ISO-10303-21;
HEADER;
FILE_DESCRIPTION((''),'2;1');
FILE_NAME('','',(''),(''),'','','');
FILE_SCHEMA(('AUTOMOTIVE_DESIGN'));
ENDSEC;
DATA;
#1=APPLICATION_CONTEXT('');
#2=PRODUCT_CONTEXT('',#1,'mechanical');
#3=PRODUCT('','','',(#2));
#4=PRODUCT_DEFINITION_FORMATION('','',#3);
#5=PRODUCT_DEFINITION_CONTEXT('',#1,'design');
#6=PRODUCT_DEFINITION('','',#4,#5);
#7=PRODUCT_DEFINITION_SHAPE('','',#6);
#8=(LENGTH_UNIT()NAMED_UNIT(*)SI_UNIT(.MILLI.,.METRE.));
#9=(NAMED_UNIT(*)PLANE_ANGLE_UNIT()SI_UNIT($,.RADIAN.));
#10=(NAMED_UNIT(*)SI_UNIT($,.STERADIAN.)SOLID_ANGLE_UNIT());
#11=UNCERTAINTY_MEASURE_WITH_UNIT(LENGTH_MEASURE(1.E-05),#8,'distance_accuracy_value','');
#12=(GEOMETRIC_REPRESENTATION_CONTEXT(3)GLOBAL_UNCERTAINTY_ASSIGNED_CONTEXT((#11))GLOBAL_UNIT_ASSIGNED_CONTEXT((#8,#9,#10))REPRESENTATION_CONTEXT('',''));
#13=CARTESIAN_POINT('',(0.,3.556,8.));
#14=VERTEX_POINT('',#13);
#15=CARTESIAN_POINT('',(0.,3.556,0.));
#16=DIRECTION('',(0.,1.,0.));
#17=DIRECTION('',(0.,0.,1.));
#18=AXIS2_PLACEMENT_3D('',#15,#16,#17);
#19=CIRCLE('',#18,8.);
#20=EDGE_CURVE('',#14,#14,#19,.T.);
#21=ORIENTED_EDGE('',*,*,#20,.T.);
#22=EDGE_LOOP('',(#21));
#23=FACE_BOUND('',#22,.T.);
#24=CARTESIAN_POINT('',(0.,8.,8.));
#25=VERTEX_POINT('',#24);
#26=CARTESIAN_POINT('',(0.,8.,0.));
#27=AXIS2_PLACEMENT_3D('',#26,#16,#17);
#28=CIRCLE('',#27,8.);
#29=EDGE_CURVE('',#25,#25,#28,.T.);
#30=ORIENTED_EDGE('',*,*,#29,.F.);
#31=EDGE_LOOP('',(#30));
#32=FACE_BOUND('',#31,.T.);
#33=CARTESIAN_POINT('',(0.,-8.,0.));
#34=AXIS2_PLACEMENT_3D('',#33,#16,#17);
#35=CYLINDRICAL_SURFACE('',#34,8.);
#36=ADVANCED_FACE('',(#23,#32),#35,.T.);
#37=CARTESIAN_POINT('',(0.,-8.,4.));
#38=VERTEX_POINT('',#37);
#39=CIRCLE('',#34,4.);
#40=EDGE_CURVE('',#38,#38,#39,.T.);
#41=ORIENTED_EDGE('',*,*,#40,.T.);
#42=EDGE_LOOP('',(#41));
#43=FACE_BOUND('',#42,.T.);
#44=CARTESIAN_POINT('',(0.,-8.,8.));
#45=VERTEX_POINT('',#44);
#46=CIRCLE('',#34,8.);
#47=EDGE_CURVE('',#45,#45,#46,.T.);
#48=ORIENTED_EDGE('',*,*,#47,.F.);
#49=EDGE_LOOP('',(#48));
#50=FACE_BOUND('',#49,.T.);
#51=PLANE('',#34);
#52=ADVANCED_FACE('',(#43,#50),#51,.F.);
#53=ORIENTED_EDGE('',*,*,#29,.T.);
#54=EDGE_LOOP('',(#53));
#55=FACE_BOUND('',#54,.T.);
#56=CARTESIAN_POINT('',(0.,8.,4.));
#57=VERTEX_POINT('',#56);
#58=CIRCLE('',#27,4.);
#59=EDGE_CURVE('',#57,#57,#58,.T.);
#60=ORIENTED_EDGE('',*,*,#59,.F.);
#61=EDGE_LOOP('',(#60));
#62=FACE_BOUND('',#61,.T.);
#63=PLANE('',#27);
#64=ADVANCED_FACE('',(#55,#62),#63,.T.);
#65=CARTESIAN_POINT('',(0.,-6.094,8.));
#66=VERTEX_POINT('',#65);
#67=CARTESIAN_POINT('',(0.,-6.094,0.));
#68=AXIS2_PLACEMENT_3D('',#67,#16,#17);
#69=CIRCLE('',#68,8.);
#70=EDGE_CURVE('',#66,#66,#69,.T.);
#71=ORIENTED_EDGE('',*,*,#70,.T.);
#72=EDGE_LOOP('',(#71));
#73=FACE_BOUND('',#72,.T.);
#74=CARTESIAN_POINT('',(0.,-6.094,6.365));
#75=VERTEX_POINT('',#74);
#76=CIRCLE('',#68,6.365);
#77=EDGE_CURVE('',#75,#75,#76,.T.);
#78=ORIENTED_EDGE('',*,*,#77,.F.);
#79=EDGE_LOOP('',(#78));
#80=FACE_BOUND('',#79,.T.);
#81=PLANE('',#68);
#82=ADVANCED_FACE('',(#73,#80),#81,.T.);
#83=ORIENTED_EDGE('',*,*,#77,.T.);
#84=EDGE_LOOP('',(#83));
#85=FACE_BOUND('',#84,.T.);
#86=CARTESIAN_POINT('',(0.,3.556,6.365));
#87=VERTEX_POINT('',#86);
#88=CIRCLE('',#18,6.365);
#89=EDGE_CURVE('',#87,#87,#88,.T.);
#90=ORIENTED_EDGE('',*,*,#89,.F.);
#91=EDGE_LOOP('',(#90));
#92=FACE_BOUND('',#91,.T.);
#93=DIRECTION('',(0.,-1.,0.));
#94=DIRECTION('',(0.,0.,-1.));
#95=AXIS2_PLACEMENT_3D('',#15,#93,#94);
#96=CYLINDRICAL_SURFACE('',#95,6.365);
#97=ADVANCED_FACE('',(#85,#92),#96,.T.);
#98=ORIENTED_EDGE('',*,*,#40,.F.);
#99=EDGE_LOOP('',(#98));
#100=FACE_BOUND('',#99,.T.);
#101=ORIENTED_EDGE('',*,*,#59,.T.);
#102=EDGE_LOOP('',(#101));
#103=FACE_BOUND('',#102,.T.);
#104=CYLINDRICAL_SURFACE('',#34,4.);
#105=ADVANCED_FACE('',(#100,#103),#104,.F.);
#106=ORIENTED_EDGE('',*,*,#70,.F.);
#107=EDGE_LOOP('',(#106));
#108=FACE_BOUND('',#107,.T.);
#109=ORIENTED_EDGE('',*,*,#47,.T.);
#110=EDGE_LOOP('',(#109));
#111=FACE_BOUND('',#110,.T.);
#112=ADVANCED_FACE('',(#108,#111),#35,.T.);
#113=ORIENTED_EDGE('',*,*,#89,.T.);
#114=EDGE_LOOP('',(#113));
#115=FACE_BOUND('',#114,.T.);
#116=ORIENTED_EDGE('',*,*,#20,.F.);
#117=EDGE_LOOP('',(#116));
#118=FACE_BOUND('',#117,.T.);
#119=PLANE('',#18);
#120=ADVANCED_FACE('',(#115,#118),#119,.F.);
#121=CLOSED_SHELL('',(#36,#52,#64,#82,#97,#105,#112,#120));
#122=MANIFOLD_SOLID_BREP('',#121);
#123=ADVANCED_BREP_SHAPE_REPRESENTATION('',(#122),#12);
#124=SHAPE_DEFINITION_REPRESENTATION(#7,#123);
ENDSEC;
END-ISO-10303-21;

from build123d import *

# Parameters (mm, degrees)
BOSS_EXTRUDE1_DEPTH      = 8
BOSS_EXTRUDE1_DEPTH_BACK = 8
SKETCH1_R                = 8
CUT_EXTRUDE1_DEPTH       = 3.556
CUT_EXTRUDE1_DEPTH_BACK  = 6.094
SKETCH2_R                = 8
SKETCH2_R_2              = 6.36499997
SKETCH3_R                = 4
CUT_EXTRUDE2_DEPTH       = 20.595917942


with BuildPart() as part:
    # Sketch1 → Boss-Extrude1 (new, two sides: drawn at the far end of the back side and taken through both)
    with BuildSketch(Plane(origin=(0, 0, 0), x_dir=(1, 0, 0), z_dir=(0, 1, 0)).offset(-BOSS_EXTRUDE1_DEPTH_BACK)):
        Circle(SKETCH1_R)
    extrude(amount=BOSS_EXTRUDE1_DEPTH + BOSS_EXTRUDE1_DEPTH_BACK)

    # Sketch2 → Cut-Extrude1 (cut, two sides: drawn at the far end of the back side and taken through both)
    with BuildSketch(Plane(origin=(0, 0, 0), x_dir=(1, 0, 0), z_dir=(0, 1, 0)).offset(-CUT_EXTRUDE1_DEPTH_BACK)):
        Circle(SKETCH2_R)
        Circle(SKETCH2_R_2, mode=Mode.SUBTRACT)
    extrude(amount=CUT_EXTRUDE1_DEPTH + CUT_EXTRUDE1_DEPTH_BACK, mode=Mode.SUBTRACT)

    # Sketch3 → Cut-Extrude2 (cut, through all)
    with BuildSketch(Plane(origin=(0, 8, 0), x_dir=(1, 0, 0), z_dir=(0, 1, 0))):
        Circle(SKETCH3_R)
    extrude(amount=-CUT_EXTRUDE2_DEPTH, mode=Mode.SUBTRACT)


solid = part.part
